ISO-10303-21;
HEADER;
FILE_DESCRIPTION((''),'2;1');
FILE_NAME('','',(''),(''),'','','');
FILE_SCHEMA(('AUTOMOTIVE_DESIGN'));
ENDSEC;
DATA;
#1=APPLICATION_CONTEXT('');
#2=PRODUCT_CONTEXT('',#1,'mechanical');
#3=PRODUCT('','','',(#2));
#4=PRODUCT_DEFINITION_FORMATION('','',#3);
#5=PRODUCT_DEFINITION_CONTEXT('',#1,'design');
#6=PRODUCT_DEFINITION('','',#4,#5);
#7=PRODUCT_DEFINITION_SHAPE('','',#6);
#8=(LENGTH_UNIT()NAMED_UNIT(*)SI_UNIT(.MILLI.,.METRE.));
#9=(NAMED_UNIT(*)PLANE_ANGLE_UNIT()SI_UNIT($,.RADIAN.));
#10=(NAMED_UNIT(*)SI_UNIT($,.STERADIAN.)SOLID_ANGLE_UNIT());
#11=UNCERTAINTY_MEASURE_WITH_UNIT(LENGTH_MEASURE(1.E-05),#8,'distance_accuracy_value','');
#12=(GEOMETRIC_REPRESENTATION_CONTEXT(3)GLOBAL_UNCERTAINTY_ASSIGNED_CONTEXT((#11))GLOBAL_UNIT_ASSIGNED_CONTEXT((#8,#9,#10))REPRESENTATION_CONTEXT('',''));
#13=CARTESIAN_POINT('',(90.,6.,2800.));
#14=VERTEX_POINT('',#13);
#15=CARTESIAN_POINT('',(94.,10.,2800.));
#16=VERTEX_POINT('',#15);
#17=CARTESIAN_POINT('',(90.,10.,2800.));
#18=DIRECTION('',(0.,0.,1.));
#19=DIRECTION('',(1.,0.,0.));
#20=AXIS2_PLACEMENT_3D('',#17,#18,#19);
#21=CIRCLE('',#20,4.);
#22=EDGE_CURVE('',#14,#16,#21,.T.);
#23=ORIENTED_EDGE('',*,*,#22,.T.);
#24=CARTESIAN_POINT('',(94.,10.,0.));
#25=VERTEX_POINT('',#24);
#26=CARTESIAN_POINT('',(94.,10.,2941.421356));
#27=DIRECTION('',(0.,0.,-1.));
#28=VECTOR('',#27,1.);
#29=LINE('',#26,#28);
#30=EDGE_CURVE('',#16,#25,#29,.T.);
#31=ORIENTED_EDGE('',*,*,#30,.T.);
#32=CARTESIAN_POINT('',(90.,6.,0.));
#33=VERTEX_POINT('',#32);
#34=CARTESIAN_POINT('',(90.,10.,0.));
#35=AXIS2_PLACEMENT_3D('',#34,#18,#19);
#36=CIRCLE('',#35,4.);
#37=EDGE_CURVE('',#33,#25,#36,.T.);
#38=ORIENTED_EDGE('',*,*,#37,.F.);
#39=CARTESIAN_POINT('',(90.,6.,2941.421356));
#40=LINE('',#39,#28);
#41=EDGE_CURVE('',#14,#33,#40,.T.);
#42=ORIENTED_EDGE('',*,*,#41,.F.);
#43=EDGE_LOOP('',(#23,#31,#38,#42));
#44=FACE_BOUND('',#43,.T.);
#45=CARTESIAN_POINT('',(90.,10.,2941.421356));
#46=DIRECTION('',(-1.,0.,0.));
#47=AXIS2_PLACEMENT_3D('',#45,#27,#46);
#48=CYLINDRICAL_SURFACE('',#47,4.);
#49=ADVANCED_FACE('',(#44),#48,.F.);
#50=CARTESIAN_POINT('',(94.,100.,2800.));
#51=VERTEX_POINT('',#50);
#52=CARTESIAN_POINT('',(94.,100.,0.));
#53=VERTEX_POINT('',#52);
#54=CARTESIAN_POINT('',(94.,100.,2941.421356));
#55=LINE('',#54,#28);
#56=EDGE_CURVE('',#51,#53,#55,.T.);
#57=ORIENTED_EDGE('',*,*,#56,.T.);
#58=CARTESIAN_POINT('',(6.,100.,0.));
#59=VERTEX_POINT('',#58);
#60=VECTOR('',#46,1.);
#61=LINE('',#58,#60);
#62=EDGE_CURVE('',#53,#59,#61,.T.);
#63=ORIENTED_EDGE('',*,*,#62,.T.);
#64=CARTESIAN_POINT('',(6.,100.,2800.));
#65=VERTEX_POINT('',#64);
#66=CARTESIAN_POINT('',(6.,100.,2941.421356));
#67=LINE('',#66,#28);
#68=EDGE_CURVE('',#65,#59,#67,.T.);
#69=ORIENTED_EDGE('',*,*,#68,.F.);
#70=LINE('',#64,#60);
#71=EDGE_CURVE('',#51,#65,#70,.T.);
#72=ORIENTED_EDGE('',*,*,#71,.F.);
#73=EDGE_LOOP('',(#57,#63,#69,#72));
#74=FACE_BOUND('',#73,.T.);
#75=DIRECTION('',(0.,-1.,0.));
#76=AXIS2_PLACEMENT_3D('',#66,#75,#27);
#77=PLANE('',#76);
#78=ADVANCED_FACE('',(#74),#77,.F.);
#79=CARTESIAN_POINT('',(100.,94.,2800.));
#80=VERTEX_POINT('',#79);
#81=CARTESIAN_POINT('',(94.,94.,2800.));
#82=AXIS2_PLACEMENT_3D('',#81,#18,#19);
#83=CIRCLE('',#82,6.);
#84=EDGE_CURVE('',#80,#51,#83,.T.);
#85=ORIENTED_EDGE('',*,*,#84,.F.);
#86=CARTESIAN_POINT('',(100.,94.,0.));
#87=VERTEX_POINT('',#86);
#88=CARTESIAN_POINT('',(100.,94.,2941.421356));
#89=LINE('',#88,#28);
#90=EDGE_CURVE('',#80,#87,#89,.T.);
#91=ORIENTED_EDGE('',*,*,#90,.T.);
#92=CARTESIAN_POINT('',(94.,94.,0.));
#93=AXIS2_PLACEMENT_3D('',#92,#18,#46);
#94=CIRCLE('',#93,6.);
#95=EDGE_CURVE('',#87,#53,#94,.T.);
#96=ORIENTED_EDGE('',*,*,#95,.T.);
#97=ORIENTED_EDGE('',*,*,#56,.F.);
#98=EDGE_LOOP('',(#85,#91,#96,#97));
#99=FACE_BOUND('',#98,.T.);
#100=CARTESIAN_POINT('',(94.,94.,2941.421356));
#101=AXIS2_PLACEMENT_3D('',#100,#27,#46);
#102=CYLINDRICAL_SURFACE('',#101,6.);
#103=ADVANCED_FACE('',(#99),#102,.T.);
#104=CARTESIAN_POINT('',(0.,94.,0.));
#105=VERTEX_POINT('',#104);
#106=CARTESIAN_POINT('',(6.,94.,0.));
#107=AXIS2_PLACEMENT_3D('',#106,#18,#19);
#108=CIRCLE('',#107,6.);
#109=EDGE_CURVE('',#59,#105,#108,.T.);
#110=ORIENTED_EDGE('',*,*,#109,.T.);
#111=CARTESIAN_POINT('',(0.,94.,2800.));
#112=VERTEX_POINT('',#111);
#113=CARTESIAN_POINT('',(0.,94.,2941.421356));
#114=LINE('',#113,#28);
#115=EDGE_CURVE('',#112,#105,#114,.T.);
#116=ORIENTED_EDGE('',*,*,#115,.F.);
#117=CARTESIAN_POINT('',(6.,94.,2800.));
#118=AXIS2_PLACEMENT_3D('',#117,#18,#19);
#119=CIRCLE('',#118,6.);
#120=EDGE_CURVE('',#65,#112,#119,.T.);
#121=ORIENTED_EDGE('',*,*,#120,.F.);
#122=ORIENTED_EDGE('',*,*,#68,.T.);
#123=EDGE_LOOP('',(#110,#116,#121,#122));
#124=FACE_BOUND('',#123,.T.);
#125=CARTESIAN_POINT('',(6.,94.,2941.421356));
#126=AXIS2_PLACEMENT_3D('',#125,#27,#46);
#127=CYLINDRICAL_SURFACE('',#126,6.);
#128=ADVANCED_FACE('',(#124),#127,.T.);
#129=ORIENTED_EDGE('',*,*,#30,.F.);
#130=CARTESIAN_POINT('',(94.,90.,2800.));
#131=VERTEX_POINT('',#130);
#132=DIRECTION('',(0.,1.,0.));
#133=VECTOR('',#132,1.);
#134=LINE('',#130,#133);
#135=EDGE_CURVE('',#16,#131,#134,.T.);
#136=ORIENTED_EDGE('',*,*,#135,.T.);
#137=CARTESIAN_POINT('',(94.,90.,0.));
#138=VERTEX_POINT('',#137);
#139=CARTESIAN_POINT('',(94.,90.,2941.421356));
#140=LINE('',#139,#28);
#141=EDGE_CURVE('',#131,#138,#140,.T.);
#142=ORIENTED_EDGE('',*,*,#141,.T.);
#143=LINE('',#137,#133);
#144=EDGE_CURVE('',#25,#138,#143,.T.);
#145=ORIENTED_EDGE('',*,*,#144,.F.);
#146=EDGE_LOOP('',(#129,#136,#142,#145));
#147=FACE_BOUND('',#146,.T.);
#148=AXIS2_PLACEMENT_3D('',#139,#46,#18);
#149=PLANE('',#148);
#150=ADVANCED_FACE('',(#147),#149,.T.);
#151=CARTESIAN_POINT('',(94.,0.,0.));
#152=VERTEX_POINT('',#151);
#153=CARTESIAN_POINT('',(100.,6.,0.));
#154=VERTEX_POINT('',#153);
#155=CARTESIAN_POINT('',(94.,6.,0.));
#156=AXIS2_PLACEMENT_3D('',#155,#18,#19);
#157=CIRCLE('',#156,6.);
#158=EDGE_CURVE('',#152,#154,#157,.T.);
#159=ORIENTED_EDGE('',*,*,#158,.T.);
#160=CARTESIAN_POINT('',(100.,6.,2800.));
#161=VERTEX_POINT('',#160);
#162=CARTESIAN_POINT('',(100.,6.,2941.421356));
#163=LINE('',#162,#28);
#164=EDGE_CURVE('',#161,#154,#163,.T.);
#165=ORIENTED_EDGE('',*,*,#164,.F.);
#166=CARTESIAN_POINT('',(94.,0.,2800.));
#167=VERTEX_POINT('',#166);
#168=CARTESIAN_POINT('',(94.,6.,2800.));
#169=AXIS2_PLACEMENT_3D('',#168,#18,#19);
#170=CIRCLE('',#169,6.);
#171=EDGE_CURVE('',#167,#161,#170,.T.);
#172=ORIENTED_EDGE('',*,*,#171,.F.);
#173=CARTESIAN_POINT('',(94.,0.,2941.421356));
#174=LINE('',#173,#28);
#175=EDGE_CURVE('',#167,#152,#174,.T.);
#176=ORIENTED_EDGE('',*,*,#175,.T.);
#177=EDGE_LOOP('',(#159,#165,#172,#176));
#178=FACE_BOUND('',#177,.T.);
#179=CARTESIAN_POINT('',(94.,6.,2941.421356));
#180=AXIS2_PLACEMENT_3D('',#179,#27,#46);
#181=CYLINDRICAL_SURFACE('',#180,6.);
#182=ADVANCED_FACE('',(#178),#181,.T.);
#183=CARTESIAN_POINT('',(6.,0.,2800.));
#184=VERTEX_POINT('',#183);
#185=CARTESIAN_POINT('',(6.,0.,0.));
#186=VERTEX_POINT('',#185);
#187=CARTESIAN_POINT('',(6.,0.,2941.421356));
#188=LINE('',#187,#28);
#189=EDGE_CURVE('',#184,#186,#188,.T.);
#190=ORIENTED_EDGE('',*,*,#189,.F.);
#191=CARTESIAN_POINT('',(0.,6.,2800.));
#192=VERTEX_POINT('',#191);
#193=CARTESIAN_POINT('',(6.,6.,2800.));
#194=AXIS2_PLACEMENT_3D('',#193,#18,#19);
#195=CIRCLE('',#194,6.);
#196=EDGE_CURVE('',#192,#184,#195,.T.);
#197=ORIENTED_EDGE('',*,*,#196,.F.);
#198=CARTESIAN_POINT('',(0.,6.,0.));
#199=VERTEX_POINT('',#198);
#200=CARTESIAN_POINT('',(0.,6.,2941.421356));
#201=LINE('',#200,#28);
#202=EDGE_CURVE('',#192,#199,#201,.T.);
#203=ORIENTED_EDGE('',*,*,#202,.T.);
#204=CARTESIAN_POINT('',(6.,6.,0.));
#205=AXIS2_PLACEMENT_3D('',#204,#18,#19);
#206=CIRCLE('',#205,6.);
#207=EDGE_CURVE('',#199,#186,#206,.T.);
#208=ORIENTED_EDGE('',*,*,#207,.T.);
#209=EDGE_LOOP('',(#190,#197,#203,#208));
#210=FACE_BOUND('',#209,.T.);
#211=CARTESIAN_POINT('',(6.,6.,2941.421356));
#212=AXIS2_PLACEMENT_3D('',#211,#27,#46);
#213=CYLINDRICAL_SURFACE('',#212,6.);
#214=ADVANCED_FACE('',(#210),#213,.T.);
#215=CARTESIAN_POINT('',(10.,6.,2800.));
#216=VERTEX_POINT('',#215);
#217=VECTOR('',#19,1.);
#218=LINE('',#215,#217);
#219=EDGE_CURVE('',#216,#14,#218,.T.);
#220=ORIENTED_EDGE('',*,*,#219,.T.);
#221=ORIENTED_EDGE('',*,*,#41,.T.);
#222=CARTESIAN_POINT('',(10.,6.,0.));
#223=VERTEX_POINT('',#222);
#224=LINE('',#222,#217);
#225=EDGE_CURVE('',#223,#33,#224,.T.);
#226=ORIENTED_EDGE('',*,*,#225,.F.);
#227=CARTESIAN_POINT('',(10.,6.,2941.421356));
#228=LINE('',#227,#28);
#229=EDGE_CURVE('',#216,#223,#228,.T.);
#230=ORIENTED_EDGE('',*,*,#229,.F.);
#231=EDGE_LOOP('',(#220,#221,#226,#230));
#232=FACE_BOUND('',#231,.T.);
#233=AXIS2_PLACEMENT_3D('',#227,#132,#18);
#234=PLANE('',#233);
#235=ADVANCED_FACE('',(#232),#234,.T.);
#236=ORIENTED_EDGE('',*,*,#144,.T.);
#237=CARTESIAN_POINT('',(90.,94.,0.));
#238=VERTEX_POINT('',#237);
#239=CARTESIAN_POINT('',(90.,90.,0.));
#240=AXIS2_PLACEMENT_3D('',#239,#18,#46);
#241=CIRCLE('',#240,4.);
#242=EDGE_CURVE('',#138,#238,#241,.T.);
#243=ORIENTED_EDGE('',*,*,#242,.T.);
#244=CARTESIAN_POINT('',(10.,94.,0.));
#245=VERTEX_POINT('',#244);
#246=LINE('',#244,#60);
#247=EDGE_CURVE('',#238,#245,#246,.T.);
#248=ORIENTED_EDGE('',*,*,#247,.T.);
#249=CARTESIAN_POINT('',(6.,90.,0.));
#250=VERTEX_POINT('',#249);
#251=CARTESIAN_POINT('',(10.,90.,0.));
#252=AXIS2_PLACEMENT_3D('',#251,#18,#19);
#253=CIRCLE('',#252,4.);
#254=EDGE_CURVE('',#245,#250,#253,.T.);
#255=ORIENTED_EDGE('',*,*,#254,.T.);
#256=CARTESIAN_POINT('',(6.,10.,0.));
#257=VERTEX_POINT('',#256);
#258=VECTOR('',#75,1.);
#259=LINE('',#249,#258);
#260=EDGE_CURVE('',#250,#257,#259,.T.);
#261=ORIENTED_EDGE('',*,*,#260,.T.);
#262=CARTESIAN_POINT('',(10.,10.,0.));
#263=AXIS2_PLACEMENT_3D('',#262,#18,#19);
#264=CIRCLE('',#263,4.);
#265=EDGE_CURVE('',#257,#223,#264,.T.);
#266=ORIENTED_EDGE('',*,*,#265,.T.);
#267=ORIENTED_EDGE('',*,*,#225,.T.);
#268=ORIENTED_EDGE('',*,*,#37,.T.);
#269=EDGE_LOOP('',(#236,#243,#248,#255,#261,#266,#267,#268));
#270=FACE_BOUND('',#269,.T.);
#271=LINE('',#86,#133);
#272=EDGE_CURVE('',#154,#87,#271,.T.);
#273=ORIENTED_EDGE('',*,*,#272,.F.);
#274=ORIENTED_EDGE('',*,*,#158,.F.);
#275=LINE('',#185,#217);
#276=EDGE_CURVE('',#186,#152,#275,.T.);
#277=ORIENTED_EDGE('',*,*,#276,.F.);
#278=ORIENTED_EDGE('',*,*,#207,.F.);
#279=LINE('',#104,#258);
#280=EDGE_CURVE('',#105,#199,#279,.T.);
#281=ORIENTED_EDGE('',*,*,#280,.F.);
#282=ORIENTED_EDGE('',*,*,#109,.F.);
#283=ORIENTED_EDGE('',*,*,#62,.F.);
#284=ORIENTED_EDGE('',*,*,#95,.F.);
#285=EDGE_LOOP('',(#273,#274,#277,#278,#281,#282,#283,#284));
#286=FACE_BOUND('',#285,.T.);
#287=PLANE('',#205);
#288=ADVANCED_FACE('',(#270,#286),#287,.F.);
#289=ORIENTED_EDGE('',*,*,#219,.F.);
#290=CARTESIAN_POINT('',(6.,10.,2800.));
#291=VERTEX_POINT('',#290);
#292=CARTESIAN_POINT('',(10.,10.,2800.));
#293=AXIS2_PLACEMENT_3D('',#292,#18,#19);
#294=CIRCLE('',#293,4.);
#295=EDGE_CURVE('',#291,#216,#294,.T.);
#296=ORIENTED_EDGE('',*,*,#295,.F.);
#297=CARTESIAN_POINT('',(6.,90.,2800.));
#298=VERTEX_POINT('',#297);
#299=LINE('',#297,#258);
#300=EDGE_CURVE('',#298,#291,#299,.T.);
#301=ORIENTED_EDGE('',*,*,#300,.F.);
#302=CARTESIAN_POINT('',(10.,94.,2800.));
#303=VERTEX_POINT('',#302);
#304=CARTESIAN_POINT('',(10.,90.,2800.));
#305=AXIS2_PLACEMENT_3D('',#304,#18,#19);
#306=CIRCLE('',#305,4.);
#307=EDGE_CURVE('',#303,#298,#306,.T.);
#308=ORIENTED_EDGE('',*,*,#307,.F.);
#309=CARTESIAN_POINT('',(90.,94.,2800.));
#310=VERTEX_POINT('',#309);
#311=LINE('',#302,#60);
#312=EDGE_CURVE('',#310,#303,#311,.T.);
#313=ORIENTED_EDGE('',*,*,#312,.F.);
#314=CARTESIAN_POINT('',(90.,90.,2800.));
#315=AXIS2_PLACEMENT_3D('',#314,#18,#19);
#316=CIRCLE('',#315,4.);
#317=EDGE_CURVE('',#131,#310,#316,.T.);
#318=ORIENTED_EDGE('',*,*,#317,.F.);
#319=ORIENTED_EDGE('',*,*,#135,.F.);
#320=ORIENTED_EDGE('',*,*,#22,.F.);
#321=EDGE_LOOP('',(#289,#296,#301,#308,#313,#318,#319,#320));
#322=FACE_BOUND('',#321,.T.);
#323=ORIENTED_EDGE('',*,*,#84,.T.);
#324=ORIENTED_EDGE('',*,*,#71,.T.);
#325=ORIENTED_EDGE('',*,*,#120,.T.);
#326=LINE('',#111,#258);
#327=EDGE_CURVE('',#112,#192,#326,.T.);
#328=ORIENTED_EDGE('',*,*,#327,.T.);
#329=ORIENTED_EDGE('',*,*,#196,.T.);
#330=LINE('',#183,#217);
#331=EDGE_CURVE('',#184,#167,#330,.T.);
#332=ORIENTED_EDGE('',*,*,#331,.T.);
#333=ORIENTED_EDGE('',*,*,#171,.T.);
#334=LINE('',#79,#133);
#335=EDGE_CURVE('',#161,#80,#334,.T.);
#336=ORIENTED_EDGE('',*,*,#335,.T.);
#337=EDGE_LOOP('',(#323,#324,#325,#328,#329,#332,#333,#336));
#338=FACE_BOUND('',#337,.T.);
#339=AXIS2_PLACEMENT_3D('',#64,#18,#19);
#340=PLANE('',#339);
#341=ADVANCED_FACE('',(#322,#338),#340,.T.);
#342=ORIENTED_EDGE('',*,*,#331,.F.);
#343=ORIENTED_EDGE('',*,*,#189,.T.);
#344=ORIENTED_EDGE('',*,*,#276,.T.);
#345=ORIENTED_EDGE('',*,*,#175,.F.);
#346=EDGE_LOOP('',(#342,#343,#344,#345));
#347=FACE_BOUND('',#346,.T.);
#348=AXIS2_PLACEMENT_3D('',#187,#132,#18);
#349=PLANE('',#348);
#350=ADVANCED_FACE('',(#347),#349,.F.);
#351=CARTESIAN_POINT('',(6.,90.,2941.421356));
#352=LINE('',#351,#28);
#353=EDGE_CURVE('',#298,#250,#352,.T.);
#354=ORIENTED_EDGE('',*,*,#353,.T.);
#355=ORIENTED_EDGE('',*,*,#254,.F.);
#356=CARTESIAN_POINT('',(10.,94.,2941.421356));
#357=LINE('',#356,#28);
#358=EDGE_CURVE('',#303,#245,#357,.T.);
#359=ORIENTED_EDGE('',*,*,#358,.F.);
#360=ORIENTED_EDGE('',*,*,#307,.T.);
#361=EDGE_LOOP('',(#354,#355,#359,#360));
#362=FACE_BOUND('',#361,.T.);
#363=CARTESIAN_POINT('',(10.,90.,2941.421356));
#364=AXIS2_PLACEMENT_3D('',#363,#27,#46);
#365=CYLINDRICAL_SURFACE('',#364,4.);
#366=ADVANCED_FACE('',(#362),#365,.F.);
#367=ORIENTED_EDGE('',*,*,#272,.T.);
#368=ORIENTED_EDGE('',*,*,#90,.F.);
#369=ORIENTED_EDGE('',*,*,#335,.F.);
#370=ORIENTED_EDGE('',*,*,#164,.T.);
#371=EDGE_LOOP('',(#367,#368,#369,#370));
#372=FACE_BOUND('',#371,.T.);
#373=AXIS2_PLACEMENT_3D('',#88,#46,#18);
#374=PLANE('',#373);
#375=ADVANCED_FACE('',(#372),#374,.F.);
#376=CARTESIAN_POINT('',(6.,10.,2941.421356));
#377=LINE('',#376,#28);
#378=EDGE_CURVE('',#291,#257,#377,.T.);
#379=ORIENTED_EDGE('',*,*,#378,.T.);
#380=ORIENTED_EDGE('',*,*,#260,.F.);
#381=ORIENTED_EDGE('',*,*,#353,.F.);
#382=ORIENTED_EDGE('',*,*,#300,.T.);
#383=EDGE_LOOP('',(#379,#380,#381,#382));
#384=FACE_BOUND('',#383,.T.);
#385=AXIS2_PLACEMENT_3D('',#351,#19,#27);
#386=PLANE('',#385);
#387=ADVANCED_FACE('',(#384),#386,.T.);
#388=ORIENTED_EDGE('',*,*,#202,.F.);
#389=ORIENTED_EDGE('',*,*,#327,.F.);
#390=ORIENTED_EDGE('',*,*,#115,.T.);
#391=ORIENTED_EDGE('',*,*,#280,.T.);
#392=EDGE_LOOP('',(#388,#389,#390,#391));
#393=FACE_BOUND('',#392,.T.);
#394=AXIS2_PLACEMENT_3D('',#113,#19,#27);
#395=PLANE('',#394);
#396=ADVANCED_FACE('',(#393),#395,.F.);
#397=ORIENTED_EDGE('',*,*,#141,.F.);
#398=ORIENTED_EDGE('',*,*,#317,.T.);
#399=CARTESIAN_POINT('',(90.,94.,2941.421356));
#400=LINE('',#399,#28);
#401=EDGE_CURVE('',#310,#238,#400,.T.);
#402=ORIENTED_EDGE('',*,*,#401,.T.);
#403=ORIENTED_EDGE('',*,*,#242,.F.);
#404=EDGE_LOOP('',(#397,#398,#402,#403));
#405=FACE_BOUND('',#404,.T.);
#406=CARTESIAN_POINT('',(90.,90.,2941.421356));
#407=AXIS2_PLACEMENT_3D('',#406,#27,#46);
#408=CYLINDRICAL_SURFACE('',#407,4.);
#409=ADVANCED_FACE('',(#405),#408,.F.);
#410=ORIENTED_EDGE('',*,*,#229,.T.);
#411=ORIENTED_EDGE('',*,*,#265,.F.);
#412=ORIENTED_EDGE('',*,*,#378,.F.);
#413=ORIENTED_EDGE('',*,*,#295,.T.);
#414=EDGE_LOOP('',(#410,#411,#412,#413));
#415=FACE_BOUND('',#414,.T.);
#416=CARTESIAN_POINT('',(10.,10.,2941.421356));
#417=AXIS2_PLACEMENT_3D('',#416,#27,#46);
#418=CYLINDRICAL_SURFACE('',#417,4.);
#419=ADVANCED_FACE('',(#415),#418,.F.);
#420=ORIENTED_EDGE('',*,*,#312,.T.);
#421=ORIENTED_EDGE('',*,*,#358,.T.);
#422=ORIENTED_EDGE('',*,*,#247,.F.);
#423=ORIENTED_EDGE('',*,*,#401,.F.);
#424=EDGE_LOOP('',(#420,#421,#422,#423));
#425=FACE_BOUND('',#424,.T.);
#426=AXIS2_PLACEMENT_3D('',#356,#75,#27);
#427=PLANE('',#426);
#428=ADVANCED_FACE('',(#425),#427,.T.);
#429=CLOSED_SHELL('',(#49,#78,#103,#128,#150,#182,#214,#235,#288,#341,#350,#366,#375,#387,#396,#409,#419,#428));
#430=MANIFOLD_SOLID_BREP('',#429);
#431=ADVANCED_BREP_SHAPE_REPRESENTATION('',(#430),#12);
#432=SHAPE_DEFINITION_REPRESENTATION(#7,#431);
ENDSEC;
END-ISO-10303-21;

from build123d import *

# Parameters (mm, degrees)
EXTRUDE_1_DEPTH = 2800


with BuildPart() as part:
    # Эскиз2 → Бобышка-Вытянуть1 (new body)
    with BuildSketch(Plane.XY):
        with BuildLine():
            Line((6, 100), (94, 100))
            ThreePointArc((94, 100), (98.242640687, 98.242640687), (100, 94))
            Line((100, 94), (100, 6))
            ThreePointArc((100, 6), (98.242640687, 1.757359313), (94, 0))
            Line((94, 0), (6, 0))
            ThreePointArc((6, 0), (1.757359313, 1.757359313), (0, 6))
            Line((0, 6), (0, 94))
            ThreePointArc((0, 94), (1.757359313, 98.242640687), (6, 100))
        make_face()
        with BuildLine():
            Line((10, 94), (90, 94))
            ThreePointArc((90, 94), (92.828427125, 92.828427125), (94, 90))
            Line((94, 90), (94, 10))
            ThreePointArc((94, 10), (92.828427125, 7.171572875), (90, 6))
            Line((90, 6), (10, 6))
            ThreePointArc((10, 6), (7.171572875, 7.171572875), (6, 10))
            Line((6, 10), (6, 90))
            ThreePointArc((6, 90), (7.171572875, 92.828427125), (10, 94))
        make_face(mode=Mode.SUBTRACT)
    extrude(amount=EXTRUDE_1_DEPTH)


solid = part.part
